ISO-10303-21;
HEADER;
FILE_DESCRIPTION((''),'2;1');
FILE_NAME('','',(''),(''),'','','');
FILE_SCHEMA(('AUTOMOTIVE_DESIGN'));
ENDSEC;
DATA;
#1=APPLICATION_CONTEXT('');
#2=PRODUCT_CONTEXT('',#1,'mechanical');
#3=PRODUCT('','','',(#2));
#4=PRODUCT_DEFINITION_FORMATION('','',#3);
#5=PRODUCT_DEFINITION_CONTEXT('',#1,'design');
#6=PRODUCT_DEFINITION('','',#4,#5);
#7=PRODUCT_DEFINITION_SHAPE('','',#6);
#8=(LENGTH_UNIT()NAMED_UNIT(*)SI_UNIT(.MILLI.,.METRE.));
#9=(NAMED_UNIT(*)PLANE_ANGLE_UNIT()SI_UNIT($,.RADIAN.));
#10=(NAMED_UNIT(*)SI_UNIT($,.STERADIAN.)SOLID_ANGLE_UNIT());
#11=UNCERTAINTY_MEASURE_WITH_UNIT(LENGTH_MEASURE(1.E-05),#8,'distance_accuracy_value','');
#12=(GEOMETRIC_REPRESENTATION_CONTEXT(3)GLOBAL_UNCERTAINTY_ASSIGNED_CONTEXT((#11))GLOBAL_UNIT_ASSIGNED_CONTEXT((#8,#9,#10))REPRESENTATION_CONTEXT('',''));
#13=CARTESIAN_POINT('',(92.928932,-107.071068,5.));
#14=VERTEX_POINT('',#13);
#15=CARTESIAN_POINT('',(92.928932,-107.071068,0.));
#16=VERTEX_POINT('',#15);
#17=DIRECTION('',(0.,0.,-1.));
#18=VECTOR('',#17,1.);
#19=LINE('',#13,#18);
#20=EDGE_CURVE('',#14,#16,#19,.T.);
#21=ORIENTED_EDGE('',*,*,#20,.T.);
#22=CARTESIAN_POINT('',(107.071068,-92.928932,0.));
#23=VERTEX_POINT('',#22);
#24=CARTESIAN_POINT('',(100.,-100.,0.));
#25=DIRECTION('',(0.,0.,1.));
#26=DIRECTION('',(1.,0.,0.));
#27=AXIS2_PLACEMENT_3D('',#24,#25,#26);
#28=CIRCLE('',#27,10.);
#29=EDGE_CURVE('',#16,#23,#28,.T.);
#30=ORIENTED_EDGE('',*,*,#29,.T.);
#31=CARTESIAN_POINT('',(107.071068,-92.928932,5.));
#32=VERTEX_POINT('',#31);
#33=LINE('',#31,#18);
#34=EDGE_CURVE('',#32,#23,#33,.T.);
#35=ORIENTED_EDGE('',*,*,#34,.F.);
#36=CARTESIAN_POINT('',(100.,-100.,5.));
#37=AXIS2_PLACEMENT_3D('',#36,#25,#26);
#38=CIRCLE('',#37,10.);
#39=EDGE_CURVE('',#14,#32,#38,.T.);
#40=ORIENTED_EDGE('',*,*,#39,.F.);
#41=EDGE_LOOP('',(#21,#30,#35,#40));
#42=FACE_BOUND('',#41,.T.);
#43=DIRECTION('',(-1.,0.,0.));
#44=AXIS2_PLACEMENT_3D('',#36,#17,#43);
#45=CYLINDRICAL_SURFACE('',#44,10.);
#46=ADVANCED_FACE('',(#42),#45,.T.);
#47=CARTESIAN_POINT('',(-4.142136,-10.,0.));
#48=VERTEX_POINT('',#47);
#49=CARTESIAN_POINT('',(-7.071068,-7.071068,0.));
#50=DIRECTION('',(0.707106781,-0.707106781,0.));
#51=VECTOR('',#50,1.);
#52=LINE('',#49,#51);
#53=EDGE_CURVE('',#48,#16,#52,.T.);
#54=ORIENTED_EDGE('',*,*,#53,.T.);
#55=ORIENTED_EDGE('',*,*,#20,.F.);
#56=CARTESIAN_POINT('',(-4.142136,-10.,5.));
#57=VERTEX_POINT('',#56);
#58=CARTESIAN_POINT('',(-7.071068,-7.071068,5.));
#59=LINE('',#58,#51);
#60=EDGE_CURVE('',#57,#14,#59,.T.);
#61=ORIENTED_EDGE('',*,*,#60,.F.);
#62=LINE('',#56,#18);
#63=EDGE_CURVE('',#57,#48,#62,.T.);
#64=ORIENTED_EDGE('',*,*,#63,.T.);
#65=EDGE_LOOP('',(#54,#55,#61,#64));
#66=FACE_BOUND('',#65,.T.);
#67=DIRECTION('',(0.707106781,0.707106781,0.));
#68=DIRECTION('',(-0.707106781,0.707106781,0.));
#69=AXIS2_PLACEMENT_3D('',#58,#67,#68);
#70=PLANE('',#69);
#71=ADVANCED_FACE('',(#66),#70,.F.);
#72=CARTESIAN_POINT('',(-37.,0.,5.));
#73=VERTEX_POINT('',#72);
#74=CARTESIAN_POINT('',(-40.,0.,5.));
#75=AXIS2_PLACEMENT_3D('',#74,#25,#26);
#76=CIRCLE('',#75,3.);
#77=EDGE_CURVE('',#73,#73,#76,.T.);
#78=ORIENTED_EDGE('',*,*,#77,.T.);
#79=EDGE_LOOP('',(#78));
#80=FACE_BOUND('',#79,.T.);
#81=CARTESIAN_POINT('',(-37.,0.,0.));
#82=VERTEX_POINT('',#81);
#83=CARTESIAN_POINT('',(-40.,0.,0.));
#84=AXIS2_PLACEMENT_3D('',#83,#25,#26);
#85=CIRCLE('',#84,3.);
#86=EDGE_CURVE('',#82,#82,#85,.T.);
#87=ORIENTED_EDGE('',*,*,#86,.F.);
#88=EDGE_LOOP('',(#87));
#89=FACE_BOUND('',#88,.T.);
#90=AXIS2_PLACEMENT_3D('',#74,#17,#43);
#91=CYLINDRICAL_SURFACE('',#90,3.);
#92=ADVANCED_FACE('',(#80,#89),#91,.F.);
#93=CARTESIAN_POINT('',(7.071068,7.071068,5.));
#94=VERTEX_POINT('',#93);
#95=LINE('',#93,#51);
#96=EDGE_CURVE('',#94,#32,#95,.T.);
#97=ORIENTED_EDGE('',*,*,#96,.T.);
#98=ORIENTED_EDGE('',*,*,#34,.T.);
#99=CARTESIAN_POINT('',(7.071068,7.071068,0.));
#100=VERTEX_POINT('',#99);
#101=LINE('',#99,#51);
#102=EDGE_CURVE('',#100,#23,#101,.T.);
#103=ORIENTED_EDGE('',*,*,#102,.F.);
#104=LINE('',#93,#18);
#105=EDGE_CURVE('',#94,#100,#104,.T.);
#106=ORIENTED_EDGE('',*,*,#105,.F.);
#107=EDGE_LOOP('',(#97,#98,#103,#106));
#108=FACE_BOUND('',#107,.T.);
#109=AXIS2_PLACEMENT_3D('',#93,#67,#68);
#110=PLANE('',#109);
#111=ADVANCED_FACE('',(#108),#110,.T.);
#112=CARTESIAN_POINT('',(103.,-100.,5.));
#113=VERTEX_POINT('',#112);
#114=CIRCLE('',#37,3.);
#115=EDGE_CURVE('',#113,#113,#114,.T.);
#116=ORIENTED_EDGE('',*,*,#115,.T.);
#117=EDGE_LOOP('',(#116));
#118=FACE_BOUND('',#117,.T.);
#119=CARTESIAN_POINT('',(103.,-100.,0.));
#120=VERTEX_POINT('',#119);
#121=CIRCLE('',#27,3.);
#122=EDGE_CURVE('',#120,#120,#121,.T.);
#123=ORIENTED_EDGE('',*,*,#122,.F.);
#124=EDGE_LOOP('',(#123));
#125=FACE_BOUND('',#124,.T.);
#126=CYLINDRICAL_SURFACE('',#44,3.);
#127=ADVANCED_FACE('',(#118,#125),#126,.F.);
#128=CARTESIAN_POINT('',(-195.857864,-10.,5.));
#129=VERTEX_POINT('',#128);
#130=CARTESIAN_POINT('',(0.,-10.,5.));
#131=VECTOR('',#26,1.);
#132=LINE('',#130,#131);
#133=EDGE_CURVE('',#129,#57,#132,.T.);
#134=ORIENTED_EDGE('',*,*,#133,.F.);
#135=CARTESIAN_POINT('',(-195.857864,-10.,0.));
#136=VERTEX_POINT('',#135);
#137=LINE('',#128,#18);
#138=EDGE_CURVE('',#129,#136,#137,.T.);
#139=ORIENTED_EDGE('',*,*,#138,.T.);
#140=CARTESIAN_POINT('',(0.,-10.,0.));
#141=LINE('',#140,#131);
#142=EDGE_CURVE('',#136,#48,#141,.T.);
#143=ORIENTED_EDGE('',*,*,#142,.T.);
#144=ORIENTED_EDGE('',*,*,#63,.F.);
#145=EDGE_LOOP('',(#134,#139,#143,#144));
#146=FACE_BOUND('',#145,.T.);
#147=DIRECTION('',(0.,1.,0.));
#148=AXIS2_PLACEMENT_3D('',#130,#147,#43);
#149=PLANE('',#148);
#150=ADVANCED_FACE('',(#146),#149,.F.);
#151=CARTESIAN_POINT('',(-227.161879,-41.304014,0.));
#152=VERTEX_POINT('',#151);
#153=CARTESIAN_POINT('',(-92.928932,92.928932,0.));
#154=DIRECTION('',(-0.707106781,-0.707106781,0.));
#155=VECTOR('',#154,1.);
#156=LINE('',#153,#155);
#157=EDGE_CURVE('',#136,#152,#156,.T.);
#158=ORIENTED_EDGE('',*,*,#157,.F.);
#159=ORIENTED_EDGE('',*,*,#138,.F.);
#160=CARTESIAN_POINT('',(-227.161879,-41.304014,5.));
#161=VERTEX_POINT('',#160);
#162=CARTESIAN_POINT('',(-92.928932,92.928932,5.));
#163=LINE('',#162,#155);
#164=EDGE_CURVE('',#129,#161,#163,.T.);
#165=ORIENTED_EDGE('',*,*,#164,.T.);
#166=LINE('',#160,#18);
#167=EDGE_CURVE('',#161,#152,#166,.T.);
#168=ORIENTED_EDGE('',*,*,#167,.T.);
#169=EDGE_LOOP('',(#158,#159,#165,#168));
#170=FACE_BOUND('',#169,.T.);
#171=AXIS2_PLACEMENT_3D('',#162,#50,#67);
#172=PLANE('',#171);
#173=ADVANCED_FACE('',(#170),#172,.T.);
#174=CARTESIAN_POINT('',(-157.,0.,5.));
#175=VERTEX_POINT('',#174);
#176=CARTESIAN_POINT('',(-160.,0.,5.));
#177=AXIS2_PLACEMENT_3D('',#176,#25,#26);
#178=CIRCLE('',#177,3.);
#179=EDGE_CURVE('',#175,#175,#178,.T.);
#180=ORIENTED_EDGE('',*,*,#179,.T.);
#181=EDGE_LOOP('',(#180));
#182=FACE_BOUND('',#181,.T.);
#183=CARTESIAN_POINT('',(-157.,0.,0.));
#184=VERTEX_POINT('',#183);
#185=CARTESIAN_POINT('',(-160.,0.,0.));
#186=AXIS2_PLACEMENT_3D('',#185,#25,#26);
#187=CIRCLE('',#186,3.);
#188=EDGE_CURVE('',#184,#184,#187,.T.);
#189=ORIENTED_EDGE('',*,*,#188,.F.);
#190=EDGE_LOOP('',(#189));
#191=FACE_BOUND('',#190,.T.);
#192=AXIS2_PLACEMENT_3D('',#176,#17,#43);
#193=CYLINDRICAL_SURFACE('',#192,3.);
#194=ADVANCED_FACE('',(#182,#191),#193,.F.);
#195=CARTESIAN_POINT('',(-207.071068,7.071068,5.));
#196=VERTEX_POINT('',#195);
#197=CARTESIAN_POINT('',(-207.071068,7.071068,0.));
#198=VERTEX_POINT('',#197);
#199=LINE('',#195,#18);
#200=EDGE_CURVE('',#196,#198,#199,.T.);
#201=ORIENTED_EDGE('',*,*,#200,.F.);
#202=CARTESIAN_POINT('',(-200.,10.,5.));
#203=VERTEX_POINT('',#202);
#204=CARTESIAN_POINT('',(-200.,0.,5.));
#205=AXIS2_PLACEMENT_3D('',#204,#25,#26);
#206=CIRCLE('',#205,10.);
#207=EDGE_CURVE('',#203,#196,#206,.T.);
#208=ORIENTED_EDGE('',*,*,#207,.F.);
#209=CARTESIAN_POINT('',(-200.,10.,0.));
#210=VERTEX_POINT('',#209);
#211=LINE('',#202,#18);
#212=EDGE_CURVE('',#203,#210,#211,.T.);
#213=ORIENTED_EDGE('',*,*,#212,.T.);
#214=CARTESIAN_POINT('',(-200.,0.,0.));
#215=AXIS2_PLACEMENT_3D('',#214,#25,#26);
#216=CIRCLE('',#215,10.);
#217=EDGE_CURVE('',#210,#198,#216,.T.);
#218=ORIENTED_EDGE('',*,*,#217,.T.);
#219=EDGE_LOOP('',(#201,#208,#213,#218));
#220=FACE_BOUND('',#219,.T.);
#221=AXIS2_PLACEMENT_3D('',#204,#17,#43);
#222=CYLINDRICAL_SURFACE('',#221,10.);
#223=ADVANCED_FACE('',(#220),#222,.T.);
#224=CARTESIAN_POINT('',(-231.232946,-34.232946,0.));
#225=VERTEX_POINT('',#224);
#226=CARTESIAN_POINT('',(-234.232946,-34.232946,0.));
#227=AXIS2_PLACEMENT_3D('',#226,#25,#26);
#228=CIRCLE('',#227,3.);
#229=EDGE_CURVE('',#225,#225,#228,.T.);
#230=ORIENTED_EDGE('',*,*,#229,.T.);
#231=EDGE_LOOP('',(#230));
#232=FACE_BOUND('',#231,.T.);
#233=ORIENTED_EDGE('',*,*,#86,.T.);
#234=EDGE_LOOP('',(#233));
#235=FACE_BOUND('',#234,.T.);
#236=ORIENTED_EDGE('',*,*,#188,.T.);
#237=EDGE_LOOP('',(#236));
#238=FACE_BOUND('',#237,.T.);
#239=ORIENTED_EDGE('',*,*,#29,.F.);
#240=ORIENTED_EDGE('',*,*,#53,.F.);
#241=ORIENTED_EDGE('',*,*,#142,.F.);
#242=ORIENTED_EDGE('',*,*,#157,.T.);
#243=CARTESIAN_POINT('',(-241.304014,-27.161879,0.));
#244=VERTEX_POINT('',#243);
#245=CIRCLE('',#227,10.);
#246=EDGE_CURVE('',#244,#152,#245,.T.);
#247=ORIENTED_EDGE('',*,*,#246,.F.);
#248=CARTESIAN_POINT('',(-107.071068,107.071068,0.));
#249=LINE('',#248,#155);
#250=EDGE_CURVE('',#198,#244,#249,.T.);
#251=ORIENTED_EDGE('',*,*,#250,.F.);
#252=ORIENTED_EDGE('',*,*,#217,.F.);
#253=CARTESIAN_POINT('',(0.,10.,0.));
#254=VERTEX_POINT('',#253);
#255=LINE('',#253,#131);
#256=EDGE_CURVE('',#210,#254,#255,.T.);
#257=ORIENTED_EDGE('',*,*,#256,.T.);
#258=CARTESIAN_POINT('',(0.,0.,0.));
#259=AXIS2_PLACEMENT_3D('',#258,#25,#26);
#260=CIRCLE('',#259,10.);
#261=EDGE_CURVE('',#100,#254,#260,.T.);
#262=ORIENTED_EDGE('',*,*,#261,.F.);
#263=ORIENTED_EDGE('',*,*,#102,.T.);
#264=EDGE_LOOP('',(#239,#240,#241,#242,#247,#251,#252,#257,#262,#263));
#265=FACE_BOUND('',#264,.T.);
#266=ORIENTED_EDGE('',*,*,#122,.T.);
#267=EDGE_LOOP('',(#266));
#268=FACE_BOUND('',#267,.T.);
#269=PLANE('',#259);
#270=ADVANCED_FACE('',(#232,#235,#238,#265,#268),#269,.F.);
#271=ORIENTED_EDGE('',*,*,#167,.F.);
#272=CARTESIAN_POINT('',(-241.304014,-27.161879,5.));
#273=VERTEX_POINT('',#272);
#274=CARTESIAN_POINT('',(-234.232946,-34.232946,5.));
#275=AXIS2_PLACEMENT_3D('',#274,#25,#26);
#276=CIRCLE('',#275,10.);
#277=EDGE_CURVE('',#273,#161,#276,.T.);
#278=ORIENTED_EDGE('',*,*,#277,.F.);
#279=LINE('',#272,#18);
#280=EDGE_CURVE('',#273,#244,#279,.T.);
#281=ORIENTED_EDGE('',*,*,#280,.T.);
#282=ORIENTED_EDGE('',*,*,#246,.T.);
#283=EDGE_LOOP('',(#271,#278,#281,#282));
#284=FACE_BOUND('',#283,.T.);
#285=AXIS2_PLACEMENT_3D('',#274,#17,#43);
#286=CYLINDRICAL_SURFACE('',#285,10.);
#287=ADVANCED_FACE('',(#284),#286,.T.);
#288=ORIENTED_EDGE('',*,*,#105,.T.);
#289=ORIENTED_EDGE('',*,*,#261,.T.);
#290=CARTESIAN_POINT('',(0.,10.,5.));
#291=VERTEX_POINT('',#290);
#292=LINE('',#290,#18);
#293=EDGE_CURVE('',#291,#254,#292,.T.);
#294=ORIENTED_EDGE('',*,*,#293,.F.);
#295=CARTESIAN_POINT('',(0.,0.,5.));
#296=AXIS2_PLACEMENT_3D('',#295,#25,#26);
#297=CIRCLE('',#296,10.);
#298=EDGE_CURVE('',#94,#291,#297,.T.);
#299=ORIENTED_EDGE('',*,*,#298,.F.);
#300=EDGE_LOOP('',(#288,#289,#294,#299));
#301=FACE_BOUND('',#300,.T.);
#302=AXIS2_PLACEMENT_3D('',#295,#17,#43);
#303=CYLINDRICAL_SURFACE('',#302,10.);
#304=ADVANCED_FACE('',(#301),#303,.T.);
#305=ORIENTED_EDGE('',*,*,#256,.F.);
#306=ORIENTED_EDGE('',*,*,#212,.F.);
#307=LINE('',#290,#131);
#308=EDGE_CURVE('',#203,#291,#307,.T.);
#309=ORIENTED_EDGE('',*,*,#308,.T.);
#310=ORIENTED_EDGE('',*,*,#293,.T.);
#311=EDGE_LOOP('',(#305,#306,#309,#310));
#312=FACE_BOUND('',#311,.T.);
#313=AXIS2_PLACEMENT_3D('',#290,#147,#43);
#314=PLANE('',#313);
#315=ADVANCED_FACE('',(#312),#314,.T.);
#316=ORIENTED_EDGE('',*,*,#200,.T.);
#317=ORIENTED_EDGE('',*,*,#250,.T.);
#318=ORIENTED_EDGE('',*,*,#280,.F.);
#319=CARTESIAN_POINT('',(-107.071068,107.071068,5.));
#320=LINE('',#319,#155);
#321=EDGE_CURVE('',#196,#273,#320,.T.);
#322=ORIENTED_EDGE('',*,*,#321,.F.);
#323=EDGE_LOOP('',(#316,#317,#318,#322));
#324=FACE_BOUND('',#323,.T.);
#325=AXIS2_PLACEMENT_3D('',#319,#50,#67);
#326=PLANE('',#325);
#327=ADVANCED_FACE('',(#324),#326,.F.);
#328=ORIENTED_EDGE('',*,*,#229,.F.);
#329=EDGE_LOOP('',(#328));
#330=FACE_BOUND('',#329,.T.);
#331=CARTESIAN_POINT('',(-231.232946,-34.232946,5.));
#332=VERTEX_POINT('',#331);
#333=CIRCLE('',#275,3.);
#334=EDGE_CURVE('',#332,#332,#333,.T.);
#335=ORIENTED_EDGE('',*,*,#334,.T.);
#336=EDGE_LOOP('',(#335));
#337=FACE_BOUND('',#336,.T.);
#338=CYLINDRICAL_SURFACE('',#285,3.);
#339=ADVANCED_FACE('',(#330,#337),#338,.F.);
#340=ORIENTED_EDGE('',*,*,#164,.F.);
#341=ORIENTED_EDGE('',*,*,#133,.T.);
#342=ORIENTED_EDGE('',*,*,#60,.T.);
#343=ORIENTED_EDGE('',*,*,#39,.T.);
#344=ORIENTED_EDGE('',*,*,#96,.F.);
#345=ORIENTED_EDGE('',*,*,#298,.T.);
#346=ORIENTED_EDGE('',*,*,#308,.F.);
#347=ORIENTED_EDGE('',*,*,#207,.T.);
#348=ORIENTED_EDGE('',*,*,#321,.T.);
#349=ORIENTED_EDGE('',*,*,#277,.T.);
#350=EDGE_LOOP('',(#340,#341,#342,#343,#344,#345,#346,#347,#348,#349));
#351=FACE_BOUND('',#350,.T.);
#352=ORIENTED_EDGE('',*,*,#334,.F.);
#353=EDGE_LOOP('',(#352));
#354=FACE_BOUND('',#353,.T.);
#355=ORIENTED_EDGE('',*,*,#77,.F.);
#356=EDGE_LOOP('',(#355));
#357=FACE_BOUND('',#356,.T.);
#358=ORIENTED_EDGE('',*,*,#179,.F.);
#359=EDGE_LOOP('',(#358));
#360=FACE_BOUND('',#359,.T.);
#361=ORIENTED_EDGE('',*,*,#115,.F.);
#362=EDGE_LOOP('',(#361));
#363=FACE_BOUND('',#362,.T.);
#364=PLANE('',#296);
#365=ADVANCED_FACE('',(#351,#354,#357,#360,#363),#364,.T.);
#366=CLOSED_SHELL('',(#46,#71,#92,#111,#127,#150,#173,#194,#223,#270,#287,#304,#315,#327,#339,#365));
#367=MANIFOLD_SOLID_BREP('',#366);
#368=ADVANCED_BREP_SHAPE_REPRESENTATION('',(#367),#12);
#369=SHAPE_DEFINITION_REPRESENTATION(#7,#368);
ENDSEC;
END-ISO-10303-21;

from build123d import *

# Parameters (mm, degrees)
SKETCH1_R           = 3
BOSS_EXTRUDE2_DEPTH = 5


with BuildPart() as part:
    # Sketch1 → Boss-Extrude2 (new body)
    with BuildSketch(Plane.XY):
        with BuildLine():
            Line((-195.857864376, -10), (-227.161878591, -41.304014214))
            ThreePointArc((-227.161878591, -41.304014214), (-241.304014214, -41.304014214), (-241.304014214, -27.161878591))
            Line((-241.304014214, -27.161878591), (-207.071067812, 7.071067812))
            ThreePointArc((-207.071067812, 7.071067812), (-203.826834324, 9.238795325), (-200, 10))
            Line((-200, 10), (0, 10))
            ThreePointArc((0, 10), (3.826834324, 9.238795325), (7.071067812, 7.071067812))
            Line((7.071067812, 7.071067812), (107.071067812, -92.928932188))
            ThreePointArc((107.071067812, -92.928932188), (107.071067812, -107.071067812), (92.928932188, -107.071067812))
            Line((92.928932188, -107.071067812), (-4.142135624, -10))
            Line((-4.142135624, -10), (-195.857864376, -10))
        make_face()
        with Locations((-234.232946402, -34.232946402)):
            Circle(SKETCH1_R, mode=Mode.SUBTRACT)
        with Locations((100, -100)):
            Circle(SKETCH1_R, mode=Mode.SUBTRACT)
        with Locations((-160, 0)):
            Circle(SKETCH1_R, mode=Mode.SUBTRACT)
        with Locations((-40, 0)):
            Circle(SKETCH1_R, mode=Mode.SUBTRACT)
    extrude(amount=BOSS_EXTRUDE2_DEPTH)


solid = part.part
